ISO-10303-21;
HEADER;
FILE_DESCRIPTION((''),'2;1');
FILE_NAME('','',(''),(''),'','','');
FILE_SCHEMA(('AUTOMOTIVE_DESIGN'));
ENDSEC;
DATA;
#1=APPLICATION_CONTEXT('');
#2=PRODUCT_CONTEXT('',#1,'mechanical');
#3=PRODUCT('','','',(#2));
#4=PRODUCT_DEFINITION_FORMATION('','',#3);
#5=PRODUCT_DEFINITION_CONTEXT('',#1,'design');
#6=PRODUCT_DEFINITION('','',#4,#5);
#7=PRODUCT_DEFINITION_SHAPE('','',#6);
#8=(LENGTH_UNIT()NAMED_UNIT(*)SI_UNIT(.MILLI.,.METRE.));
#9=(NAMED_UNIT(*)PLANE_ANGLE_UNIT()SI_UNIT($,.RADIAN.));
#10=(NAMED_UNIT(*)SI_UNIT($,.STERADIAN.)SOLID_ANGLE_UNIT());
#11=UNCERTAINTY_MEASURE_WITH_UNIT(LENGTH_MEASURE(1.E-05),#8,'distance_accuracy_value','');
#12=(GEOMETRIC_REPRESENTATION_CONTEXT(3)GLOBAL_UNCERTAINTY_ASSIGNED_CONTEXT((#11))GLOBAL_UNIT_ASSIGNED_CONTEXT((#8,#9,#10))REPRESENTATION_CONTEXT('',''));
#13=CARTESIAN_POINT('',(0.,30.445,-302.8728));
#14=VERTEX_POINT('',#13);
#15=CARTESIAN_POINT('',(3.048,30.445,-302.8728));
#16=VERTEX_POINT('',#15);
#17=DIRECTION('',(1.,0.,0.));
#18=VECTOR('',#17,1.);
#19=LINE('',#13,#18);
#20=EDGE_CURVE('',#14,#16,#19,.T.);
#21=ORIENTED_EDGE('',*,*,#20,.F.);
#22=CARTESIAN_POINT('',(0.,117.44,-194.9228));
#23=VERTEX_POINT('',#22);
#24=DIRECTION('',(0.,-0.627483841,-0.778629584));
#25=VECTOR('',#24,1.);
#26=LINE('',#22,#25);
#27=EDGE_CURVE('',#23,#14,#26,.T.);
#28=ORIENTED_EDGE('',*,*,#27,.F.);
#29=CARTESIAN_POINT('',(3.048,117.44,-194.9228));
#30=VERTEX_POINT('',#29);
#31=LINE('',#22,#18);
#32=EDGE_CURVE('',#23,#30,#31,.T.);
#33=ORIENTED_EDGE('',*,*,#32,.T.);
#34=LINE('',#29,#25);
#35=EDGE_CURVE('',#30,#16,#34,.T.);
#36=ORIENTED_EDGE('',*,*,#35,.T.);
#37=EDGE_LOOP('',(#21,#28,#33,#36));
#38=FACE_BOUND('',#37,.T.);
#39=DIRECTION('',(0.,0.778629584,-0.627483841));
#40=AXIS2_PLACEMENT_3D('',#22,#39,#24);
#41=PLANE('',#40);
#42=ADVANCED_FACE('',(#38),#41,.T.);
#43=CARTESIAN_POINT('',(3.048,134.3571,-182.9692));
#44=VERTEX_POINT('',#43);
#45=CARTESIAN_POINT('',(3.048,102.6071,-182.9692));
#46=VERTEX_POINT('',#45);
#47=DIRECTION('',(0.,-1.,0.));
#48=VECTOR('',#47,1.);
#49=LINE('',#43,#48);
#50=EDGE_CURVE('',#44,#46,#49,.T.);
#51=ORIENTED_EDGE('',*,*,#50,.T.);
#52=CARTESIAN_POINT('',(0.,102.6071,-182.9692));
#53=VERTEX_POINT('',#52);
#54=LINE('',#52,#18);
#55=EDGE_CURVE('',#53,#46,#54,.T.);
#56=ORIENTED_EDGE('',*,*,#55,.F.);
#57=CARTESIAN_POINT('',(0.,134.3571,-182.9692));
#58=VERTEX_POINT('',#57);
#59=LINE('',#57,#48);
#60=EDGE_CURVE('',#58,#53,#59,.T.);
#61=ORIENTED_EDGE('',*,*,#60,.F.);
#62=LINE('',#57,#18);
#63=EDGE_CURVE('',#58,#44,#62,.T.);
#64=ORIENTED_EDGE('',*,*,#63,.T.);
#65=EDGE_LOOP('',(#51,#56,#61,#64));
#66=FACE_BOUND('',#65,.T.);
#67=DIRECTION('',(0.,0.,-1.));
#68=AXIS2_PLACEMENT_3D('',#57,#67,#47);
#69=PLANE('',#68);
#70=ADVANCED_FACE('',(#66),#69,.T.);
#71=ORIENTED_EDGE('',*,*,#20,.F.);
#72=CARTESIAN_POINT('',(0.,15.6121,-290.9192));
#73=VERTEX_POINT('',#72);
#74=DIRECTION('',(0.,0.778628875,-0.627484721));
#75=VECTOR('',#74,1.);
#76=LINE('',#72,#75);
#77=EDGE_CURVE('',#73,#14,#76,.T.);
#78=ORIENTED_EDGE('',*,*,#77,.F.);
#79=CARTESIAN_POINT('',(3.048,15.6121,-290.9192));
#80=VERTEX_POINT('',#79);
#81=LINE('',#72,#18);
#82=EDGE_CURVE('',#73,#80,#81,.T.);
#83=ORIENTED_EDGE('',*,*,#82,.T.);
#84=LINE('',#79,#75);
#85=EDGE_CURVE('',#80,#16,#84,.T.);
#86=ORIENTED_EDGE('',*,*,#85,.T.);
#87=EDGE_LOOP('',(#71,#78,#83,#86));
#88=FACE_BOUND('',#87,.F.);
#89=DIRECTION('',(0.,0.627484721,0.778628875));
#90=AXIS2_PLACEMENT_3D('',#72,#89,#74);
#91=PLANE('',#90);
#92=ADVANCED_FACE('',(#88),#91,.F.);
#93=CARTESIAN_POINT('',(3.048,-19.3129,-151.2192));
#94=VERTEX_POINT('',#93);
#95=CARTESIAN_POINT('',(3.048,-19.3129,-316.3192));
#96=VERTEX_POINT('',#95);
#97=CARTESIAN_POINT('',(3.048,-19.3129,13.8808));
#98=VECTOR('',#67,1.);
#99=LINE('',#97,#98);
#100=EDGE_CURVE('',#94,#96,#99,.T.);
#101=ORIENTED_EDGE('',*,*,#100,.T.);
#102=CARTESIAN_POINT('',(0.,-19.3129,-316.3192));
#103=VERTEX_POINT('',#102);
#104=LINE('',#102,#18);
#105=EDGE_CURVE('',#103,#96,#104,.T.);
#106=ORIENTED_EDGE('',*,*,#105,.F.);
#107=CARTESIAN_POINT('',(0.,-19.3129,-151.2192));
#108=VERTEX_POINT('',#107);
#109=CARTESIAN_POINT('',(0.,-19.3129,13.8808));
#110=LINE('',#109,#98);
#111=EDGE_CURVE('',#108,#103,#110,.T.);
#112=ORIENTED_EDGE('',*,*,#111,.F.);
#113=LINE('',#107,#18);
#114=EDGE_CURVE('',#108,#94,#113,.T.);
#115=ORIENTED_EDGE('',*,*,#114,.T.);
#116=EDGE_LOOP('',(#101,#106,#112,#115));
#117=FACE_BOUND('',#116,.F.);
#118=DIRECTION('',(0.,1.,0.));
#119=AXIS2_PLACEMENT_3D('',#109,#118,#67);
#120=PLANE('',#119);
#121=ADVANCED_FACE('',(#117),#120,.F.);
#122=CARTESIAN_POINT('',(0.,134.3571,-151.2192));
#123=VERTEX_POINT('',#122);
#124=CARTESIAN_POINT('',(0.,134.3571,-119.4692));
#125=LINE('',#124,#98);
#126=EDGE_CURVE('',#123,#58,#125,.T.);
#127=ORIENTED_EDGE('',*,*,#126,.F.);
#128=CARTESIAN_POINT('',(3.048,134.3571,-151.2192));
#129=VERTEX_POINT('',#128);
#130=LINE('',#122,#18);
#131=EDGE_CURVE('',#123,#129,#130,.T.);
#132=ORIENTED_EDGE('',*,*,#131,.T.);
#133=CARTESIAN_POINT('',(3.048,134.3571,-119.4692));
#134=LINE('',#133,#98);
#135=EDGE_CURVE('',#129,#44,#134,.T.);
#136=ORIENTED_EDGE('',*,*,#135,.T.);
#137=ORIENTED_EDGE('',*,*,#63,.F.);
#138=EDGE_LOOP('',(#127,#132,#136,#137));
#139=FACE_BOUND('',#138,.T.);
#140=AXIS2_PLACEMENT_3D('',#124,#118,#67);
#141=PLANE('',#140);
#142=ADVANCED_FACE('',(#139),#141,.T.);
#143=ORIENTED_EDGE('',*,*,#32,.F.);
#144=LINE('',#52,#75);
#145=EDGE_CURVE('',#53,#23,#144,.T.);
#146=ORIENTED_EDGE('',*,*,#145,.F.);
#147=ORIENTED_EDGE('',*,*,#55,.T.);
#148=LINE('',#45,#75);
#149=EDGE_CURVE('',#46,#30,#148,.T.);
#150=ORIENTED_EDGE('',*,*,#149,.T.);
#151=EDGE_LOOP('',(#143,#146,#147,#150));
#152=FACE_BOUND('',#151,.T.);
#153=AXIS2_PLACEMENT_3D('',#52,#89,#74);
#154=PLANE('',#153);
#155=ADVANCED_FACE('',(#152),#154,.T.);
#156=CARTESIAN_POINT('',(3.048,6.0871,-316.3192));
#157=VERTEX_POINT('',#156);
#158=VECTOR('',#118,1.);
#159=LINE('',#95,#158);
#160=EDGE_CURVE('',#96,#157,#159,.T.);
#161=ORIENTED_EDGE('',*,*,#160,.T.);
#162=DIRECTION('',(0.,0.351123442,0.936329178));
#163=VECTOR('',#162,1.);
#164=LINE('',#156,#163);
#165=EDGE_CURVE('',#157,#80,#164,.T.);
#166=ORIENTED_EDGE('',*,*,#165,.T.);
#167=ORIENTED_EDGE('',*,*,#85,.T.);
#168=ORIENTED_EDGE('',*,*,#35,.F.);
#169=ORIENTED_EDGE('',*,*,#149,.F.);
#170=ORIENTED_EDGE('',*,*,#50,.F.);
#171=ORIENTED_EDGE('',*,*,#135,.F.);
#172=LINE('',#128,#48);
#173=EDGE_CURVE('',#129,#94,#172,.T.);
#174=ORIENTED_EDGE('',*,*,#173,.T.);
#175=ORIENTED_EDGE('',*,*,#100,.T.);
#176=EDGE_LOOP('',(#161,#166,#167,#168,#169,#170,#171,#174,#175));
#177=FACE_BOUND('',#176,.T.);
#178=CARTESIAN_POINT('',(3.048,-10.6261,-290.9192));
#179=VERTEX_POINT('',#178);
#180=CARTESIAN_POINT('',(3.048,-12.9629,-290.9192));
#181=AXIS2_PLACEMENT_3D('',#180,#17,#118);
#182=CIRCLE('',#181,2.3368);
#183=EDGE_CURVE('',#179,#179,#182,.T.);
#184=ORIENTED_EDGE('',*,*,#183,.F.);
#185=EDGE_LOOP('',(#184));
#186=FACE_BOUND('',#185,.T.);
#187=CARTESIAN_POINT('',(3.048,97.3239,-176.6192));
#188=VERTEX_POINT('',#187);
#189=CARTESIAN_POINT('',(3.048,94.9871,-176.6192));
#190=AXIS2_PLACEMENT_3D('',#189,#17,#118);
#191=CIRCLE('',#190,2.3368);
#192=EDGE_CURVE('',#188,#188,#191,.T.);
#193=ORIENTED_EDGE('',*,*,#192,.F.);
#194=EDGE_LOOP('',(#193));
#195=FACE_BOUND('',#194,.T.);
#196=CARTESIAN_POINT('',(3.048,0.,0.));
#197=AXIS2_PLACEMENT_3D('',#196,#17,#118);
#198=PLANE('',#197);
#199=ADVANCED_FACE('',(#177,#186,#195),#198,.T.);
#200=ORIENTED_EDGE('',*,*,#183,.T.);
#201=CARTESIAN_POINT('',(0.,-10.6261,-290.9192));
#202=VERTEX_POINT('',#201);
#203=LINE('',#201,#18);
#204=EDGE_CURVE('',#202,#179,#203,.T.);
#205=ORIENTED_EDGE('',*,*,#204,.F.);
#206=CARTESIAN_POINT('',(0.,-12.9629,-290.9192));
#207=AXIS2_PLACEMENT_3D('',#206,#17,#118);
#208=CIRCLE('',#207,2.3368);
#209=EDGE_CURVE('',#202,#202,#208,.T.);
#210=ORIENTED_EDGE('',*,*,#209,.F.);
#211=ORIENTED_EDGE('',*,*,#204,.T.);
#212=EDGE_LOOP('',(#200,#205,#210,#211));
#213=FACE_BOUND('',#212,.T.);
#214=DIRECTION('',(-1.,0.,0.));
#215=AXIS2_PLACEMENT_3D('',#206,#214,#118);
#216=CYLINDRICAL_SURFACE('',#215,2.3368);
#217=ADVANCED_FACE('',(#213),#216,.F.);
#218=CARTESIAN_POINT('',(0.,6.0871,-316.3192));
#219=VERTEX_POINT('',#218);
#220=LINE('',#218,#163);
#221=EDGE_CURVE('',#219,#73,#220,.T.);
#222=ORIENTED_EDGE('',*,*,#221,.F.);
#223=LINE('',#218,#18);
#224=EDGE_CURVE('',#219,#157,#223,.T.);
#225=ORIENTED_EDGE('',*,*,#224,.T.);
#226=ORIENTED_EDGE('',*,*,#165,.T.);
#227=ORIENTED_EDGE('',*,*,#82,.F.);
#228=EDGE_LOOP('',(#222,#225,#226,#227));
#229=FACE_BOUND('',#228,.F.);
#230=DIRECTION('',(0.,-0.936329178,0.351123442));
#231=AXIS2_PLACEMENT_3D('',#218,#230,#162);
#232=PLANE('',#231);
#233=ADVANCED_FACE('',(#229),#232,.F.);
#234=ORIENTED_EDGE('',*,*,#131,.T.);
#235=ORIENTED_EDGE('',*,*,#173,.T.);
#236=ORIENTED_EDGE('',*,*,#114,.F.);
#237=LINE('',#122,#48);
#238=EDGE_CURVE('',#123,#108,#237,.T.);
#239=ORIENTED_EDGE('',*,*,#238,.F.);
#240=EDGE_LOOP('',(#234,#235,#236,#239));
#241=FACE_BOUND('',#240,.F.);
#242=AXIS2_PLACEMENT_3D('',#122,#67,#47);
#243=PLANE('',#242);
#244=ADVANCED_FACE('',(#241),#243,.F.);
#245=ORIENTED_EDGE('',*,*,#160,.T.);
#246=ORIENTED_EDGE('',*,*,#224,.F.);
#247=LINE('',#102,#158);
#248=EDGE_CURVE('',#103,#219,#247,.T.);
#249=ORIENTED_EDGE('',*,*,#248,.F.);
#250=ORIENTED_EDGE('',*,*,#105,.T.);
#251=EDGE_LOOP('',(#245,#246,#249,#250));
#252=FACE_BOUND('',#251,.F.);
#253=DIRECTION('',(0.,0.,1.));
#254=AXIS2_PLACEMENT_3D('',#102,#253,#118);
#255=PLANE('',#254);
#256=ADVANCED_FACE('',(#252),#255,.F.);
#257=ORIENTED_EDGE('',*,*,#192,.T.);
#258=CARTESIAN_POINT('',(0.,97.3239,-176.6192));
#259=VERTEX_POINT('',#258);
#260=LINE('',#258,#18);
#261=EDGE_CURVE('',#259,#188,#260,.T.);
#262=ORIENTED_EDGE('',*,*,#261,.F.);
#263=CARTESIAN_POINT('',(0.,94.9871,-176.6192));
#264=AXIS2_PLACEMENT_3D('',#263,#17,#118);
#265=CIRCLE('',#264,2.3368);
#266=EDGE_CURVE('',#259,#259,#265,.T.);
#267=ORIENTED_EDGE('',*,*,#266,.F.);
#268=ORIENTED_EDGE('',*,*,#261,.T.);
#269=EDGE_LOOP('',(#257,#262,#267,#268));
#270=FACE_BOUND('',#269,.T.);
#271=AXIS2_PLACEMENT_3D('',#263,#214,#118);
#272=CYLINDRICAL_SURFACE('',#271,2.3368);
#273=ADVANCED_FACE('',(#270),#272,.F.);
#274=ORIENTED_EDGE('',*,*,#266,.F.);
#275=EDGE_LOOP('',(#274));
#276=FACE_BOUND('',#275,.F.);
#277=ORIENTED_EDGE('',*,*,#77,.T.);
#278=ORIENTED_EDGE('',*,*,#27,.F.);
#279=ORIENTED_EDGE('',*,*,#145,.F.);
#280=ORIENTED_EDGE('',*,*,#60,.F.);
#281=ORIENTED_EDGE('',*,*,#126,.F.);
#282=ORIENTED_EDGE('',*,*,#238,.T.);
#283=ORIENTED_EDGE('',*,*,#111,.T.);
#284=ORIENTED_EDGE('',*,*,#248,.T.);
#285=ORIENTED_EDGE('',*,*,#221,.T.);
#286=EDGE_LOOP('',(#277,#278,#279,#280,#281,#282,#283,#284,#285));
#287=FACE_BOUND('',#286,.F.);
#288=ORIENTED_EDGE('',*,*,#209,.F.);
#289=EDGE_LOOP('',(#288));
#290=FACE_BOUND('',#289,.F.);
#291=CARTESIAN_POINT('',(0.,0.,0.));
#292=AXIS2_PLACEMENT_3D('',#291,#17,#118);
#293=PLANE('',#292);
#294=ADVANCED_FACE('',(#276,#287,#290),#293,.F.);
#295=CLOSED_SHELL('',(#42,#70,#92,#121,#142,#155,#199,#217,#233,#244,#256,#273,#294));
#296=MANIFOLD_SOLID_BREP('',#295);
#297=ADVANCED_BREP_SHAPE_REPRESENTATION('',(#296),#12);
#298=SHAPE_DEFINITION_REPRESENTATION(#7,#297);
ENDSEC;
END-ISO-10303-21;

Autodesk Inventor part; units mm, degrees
ref_plane "YZ Plane" through (0, 0, 0) normal (1, 0, 0) x (0, 1, 0)
ref_plane "XZ Plane" through (0, 0, 0) normal (0, 1, 0) x (-1, 0, 0)
ref_plane "XY Plane" through (0, 0, 0) normal (0, 0, 1) x (1, 0, 0)
sketch "Sketch1" plane through (0, 0, 0) normal (1, 0, 0) x (0, 1, 0)
  line L0 (6.0871, 13.8808) -> (-19.3129, 13.8808)
  line L1 (-19.3129, 13.8808) -> (-19.3129, -316.3192)
  line L2 (-19.3129, -316.3192) -> (6.0871, -316.3192)
  line L3 (6.0871, -316.3192) -> (6.0871, 13.8808)
  circle A0 centre (-12.9629, -11.5192) radius 2.3368
  circle A1 centre (-12.9629, -290.9192) radius 2.3368
  line L4 (-19.3129, -151.2192) -> (65.5988, -151.2192) construction
  circle A2 centre (94.9871, -125.8192) radius 2.3368
  circle A3 centre (94.9871, -176.6192) radius 2.3368
  line L5 (94.9871, -125.8192) -> (94.9871, -176.6192) construction
  line L6 (-12.9629, -11.5192) -> (-12.9629, -290.9192) construction
  line L7 (102.6071, -119.4692) -> (102.6071, -182.9692)
  line L8 (6.0871, -11.5192) -> (15.6121, -11.5192) construction
  line L9 (6.0871, -290.9192) -> (15.6121, -290.9192) construction
  line L10 (6.0871, 13.8808) -> (15.6121, -11.5192)
  line L11 (6.0871, -316.3192) -> (15.6121, -290.9192)
  line L12 (102.6071, -119.4692) -> (15.6121, -11.5192)
  line L13 (102.6071, -182.9692) -> (15.6121, -290.9192)
  line L14 (102.6071, -119.4692) -> (134.3571, -119.4692)
  line L15 (134.3571, -119.4692) -> (134.3571, -182.9692)
  line L16 (134.3571, -182.9692) -> (102.6071, -182.9692)
  line L17 (102.6071, -182.9692) -> (102.6071, -119.4692)
  line L18 (102.6071, -182.9692) -> (117.44, -194.9228)
  line L19 (15.6121, -290.9192) -> (30.445, -302.8728)
  line L20 (117.44, -194.9228) -> (30.445, -302.8728)
  line L21 (102.6071, -119.4692) -> (117.44, -107.5156)
  line L22 (117.44, -107.5156) -> (30.445, 0.4344)
  line L23 (30.445, 0.4344) -> (15.6121, -11.5192)
  point P0 (0, 0)
  dimension "d0" = 25.4
  dimension "d1" = 330.2
  dimension "d2" = 4.6736
  dimension "d3" = 4.6736
  dimension "d4" = 279.4
  dimension "d5" = 25.4
  dimension "d6" = 6.35
  dimension "d7" = 84.9117
  dimension "d8" = 4.6736
  dimension "d9" = 4.6736
  dimension "d10" = 50.8
  dimension "d11" = 25.4
  dimension "d12" = 107.95
  dimension "d13" = 7.62
  dimension "d14" = 9.525
  dimension "d15" = 9.525
  dimension "d16" = 63.5
  dimension "d17" = 6.35
  dimension "d18" = 31.75
  dimension "d19" = 19.05
  dimension "d20" = 19.05
ref_plane "Work Plane1" through (1.5875, 0, 0) normal (1, 0, 0) x (0, 0, -1)
extrude "Plate1" add sketch "Sketch1" along normal blind 3.048
sketch "Sketch3" plane through (0, 0, 0) normal (-1, 0, 0) x (0, 0, 1)
  circle A0 centre (-176.6192, 94.9871) radius 2.3368 projected
  circle A1 centre (-125.8192, 94.9871) radius 2.3368 projected
  circle A2 centre (-11.5192, -12.9629) radius 2.3368 projected
  circle A3 centre (-290.9192, -12.9629) radius 2.3368 projected
  line L0 (-107.5156, 117.44) -> (0.4344, 30.445) projected
  line L1 (-119.4692, 102.6071) -> (-107.5156, 117.44) projected
  line L2 (-119.4692, 134.3571) -> (-119.4692, 102.6071) projected
  line L3 (-182.9692, 134.3571) -> (-119.4692, 134.3571) projected
  line L4 (-182.9692, 102.6071) -> (-182.9692, 134.3571) projected
  line L5 (-194.9228, 117.44) -> (-182.9692, 102.6071) projected
  line L6 (-302.8728, 30.445) -> (-194.9228, 117.44) projected
  line L7 (-290.9192, 15.6121) -> (-302.8728, 30.445) projected
  line L8 (-316.3192, 6.0871) -> (-290.9192, 15.6121) projected
  line L9 (-316.3192, -19.3129) -> (-316.3192, 6.0871) projected
  line L10 (13.8808, -19.3129) -> (-316.3192, -19.3129) projected
  line L11 (13.8808, 6.0871) -> (13.8808, -19.3129) projected
  line L12 (-11.5192, 15.6121) -> (13.8808, 6.0871) projected
  line L13 (0.4344, 30.445) -> (-11.5192, 15.6121) projected
  line L14 (-151.2192, 134.3571) -> (-151.2192, -19.3129)
  point P0 (0, 0)
extrude "Cut1" cut sketch "Sketch3" against normal blind 3.048 contours L0 L13 L12 L11 L10 L14 L3 L2 L1
equation "\"d24\" = Thickness"
equation "\"d23\" = Thickness"
equation "\"BendRadius\" = Thickness"
equation "\"BendReliefWidth\" = Thickness"
equation "\"BendReliefDepth\" = 0.5 * Thickness"
equation "\"CornerReliefSize\" = 4 * Thickness"
equation "\"MinimumRemnant\" = 2 * Thickness"
equation "\"TransitionRadius\" = BendRadius"
equation "\"JacobiRadiusSize\" = BendRadius"
equation "\"GapSize\" = Thickness"
equation "\"Thickness\" = 3.048"
properties part number "backpanel"
